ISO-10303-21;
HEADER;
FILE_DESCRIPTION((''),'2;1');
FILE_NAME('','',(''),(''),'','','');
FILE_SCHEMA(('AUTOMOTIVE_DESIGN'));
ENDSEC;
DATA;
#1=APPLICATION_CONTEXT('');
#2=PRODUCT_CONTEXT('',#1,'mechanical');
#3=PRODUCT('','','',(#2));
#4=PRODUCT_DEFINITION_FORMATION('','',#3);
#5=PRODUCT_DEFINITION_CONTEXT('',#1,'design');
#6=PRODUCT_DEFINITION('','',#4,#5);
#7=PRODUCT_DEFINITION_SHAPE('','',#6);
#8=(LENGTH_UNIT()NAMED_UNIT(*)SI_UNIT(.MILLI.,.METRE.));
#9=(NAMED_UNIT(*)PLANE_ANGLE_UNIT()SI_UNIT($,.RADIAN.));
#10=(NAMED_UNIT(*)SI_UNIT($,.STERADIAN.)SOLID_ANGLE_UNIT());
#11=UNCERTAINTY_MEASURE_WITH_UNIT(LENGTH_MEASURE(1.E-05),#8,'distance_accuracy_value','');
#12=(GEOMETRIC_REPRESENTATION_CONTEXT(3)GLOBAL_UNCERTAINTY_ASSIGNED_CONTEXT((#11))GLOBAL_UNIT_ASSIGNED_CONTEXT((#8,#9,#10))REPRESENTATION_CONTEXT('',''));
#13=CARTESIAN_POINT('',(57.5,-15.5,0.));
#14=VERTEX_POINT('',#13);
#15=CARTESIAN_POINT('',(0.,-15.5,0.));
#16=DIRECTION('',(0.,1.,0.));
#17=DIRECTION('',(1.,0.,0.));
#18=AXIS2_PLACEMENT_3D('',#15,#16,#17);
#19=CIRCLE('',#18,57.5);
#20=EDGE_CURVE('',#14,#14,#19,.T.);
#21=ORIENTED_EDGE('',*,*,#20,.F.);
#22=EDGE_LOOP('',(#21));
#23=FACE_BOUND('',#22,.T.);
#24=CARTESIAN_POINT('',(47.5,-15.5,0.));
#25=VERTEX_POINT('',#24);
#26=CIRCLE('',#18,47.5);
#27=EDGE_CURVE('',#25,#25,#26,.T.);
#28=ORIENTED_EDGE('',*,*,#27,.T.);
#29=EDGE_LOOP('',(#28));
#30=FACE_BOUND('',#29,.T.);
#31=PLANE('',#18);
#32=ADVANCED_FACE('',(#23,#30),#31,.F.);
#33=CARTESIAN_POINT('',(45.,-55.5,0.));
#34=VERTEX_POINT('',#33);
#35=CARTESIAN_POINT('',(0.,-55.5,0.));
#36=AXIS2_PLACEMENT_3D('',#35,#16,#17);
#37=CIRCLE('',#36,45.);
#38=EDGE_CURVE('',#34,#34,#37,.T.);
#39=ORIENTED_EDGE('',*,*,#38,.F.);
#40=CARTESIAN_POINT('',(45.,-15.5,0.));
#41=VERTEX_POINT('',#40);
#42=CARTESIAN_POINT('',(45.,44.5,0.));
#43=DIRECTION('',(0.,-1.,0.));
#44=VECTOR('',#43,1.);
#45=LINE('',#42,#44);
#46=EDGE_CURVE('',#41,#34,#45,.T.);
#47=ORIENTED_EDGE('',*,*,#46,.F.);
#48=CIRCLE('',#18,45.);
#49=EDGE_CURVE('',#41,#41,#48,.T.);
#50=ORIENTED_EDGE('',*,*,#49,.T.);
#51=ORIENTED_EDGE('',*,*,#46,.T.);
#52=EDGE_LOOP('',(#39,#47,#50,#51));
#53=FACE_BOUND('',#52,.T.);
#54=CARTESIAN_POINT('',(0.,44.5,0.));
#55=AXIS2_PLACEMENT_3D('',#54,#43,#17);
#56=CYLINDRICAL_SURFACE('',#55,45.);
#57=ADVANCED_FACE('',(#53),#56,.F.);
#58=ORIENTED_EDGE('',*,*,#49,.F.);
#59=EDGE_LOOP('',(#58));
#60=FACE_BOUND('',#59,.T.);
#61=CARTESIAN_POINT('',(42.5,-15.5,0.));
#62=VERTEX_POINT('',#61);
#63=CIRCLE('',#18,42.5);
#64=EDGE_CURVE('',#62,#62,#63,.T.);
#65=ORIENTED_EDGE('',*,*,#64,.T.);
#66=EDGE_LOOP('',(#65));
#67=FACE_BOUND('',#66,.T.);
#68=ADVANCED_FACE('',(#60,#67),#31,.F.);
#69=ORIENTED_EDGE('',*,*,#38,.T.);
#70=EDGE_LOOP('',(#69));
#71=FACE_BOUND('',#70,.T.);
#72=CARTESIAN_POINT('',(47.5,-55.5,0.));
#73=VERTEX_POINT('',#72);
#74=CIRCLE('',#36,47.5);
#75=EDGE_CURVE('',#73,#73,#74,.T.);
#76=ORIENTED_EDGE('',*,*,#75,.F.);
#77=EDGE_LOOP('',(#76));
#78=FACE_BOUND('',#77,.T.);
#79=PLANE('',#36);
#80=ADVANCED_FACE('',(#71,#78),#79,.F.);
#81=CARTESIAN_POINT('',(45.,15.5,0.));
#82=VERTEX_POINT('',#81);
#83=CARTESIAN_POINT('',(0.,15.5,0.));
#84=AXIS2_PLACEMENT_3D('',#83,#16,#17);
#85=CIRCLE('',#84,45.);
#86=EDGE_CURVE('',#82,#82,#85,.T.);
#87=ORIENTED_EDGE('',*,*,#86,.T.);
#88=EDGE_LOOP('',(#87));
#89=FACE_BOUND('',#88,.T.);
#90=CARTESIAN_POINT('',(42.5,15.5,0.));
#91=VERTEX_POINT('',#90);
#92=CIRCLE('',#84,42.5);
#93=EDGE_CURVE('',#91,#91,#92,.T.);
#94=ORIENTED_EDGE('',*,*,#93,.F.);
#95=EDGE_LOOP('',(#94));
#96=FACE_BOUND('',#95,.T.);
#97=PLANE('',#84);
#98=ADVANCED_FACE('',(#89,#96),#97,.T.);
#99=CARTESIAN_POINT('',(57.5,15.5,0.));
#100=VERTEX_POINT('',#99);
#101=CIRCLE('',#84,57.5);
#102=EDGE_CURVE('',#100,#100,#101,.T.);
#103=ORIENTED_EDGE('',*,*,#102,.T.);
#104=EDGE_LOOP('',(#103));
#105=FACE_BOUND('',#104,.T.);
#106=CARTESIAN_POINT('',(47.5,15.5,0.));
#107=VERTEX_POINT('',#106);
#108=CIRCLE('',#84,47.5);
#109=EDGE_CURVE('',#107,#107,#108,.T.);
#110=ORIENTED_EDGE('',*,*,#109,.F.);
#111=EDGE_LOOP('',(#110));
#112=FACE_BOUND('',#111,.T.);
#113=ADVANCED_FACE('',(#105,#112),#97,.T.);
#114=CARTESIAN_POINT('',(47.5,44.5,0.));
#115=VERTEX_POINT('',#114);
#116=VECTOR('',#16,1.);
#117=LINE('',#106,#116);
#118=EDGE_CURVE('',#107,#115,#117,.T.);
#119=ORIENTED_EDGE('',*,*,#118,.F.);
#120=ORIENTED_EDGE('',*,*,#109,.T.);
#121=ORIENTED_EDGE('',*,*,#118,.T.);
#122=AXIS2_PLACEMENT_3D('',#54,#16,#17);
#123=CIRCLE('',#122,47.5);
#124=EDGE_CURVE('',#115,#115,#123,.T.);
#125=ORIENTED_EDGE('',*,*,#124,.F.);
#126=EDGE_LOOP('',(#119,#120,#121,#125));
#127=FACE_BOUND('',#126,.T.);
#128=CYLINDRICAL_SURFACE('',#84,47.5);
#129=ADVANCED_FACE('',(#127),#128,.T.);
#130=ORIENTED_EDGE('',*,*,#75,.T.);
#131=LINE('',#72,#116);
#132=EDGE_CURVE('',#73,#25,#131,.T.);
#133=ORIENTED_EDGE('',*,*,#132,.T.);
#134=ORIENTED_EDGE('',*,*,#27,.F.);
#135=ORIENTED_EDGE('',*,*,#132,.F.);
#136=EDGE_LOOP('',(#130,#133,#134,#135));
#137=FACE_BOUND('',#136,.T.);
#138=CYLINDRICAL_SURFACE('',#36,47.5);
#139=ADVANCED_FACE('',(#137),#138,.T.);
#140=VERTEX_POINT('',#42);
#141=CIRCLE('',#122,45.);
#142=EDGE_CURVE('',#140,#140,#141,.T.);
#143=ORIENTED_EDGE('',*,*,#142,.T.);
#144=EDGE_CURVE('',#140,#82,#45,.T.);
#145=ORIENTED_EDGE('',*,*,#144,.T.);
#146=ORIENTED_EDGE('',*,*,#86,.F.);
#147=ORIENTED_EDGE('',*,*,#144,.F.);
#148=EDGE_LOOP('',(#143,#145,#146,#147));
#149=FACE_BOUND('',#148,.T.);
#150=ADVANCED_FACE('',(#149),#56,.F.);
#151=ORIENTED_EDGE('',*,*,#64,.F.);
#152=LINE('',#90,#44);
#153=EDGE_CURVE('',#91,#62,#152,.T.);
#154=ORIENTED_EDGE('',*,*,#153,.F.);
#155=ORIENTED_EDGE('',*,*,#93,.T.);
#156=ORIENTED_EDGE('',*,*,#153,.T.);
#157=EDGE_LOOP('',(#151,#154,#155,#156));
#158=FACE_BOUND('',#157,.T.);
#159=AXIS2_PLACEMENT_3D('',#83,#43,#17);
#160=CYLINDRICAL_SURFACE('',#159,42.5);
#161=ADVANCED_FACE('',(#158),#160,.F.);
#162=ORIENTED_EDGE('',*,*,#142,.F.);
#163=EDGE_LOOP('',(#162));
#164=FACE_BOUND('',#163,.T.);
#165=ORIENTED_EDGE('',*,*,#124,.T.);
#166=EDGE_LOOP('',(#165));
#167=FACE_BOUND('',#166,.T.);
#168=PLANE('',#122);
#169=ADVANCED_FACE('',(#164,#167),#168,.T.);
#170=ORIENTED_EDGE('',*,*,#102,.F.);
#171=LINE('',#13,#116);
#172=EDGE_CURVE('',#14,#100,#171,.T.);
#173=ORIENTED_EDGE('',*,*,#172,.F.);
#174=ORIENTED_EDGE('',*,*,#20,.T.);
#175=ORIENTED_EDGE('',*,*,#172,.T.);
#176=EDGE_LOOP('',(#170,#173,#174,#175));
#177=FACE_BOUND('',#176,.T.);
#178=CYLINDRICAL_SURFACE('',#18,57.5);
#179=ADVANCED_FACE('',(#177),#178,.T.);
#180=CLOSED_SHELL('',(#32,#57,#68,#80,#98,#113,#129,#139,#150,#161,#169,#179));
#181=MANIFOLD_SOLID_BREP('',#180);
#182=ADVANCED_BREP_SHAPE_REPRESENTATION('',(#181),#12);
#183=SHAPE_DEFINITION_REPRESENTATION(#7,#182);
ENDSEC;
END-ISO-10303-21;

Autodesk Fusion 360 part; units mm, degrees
sketch "Sketch1" plane through (0, 0, 0) normal (0, 0, 1) x (1, 0, 0)
  line L0 (45, 44.5) -> (45, -55.5)
  line L1 (45, -55.5) -> (47.5, -55.5)
  line L2 (47.5, -55.5) -> (47.5, -15.5)
  line L3 (47.5, -15.5) -> (57.5, -15.5)
  line L4 (57.5, -15.5) -> (57.5, 15.5)
  line L5 (57.5, 15.5) -> (47.5, 15.5)
  line L6 (47.5, 15.5) -> (47.5, 44.5)
  line L7 (47.5, 44.5) -> (45, 44.5)
  line L8 (0, 0) -> (57.5, 0) construction
  line L9 (45, 15.5) -> (42.5, 15.5)
  line L10 (42.5, 15.5) -> (42.5, -15.5)
  line L11 (42.5, -15.5) -> (45, -15.5)
  dimension "d1" = 45
  dimension "d2" = 47.5
  dimension "d4" = 31
  dimension "d8" = 29
  dimension "d9" = 40
  dimension "d10" = 100
  dimension "d11" = 57.5
  dimension "d12" = 42.5
revolve "Revolve1" add sketch "Sketch1" angle 360 about axis through (0, 1.75, 0) along (0, 1, 0)
equation "d1 = ( 90 / 2 ) * 1 mm"
equation "d2 = ( 95 / 2 ) * 1 mm"
equation "d11 = ( 115 / 2 ) * 1 mm"
equation "d12 = ( 85 / 2 ) * 1 mm"
